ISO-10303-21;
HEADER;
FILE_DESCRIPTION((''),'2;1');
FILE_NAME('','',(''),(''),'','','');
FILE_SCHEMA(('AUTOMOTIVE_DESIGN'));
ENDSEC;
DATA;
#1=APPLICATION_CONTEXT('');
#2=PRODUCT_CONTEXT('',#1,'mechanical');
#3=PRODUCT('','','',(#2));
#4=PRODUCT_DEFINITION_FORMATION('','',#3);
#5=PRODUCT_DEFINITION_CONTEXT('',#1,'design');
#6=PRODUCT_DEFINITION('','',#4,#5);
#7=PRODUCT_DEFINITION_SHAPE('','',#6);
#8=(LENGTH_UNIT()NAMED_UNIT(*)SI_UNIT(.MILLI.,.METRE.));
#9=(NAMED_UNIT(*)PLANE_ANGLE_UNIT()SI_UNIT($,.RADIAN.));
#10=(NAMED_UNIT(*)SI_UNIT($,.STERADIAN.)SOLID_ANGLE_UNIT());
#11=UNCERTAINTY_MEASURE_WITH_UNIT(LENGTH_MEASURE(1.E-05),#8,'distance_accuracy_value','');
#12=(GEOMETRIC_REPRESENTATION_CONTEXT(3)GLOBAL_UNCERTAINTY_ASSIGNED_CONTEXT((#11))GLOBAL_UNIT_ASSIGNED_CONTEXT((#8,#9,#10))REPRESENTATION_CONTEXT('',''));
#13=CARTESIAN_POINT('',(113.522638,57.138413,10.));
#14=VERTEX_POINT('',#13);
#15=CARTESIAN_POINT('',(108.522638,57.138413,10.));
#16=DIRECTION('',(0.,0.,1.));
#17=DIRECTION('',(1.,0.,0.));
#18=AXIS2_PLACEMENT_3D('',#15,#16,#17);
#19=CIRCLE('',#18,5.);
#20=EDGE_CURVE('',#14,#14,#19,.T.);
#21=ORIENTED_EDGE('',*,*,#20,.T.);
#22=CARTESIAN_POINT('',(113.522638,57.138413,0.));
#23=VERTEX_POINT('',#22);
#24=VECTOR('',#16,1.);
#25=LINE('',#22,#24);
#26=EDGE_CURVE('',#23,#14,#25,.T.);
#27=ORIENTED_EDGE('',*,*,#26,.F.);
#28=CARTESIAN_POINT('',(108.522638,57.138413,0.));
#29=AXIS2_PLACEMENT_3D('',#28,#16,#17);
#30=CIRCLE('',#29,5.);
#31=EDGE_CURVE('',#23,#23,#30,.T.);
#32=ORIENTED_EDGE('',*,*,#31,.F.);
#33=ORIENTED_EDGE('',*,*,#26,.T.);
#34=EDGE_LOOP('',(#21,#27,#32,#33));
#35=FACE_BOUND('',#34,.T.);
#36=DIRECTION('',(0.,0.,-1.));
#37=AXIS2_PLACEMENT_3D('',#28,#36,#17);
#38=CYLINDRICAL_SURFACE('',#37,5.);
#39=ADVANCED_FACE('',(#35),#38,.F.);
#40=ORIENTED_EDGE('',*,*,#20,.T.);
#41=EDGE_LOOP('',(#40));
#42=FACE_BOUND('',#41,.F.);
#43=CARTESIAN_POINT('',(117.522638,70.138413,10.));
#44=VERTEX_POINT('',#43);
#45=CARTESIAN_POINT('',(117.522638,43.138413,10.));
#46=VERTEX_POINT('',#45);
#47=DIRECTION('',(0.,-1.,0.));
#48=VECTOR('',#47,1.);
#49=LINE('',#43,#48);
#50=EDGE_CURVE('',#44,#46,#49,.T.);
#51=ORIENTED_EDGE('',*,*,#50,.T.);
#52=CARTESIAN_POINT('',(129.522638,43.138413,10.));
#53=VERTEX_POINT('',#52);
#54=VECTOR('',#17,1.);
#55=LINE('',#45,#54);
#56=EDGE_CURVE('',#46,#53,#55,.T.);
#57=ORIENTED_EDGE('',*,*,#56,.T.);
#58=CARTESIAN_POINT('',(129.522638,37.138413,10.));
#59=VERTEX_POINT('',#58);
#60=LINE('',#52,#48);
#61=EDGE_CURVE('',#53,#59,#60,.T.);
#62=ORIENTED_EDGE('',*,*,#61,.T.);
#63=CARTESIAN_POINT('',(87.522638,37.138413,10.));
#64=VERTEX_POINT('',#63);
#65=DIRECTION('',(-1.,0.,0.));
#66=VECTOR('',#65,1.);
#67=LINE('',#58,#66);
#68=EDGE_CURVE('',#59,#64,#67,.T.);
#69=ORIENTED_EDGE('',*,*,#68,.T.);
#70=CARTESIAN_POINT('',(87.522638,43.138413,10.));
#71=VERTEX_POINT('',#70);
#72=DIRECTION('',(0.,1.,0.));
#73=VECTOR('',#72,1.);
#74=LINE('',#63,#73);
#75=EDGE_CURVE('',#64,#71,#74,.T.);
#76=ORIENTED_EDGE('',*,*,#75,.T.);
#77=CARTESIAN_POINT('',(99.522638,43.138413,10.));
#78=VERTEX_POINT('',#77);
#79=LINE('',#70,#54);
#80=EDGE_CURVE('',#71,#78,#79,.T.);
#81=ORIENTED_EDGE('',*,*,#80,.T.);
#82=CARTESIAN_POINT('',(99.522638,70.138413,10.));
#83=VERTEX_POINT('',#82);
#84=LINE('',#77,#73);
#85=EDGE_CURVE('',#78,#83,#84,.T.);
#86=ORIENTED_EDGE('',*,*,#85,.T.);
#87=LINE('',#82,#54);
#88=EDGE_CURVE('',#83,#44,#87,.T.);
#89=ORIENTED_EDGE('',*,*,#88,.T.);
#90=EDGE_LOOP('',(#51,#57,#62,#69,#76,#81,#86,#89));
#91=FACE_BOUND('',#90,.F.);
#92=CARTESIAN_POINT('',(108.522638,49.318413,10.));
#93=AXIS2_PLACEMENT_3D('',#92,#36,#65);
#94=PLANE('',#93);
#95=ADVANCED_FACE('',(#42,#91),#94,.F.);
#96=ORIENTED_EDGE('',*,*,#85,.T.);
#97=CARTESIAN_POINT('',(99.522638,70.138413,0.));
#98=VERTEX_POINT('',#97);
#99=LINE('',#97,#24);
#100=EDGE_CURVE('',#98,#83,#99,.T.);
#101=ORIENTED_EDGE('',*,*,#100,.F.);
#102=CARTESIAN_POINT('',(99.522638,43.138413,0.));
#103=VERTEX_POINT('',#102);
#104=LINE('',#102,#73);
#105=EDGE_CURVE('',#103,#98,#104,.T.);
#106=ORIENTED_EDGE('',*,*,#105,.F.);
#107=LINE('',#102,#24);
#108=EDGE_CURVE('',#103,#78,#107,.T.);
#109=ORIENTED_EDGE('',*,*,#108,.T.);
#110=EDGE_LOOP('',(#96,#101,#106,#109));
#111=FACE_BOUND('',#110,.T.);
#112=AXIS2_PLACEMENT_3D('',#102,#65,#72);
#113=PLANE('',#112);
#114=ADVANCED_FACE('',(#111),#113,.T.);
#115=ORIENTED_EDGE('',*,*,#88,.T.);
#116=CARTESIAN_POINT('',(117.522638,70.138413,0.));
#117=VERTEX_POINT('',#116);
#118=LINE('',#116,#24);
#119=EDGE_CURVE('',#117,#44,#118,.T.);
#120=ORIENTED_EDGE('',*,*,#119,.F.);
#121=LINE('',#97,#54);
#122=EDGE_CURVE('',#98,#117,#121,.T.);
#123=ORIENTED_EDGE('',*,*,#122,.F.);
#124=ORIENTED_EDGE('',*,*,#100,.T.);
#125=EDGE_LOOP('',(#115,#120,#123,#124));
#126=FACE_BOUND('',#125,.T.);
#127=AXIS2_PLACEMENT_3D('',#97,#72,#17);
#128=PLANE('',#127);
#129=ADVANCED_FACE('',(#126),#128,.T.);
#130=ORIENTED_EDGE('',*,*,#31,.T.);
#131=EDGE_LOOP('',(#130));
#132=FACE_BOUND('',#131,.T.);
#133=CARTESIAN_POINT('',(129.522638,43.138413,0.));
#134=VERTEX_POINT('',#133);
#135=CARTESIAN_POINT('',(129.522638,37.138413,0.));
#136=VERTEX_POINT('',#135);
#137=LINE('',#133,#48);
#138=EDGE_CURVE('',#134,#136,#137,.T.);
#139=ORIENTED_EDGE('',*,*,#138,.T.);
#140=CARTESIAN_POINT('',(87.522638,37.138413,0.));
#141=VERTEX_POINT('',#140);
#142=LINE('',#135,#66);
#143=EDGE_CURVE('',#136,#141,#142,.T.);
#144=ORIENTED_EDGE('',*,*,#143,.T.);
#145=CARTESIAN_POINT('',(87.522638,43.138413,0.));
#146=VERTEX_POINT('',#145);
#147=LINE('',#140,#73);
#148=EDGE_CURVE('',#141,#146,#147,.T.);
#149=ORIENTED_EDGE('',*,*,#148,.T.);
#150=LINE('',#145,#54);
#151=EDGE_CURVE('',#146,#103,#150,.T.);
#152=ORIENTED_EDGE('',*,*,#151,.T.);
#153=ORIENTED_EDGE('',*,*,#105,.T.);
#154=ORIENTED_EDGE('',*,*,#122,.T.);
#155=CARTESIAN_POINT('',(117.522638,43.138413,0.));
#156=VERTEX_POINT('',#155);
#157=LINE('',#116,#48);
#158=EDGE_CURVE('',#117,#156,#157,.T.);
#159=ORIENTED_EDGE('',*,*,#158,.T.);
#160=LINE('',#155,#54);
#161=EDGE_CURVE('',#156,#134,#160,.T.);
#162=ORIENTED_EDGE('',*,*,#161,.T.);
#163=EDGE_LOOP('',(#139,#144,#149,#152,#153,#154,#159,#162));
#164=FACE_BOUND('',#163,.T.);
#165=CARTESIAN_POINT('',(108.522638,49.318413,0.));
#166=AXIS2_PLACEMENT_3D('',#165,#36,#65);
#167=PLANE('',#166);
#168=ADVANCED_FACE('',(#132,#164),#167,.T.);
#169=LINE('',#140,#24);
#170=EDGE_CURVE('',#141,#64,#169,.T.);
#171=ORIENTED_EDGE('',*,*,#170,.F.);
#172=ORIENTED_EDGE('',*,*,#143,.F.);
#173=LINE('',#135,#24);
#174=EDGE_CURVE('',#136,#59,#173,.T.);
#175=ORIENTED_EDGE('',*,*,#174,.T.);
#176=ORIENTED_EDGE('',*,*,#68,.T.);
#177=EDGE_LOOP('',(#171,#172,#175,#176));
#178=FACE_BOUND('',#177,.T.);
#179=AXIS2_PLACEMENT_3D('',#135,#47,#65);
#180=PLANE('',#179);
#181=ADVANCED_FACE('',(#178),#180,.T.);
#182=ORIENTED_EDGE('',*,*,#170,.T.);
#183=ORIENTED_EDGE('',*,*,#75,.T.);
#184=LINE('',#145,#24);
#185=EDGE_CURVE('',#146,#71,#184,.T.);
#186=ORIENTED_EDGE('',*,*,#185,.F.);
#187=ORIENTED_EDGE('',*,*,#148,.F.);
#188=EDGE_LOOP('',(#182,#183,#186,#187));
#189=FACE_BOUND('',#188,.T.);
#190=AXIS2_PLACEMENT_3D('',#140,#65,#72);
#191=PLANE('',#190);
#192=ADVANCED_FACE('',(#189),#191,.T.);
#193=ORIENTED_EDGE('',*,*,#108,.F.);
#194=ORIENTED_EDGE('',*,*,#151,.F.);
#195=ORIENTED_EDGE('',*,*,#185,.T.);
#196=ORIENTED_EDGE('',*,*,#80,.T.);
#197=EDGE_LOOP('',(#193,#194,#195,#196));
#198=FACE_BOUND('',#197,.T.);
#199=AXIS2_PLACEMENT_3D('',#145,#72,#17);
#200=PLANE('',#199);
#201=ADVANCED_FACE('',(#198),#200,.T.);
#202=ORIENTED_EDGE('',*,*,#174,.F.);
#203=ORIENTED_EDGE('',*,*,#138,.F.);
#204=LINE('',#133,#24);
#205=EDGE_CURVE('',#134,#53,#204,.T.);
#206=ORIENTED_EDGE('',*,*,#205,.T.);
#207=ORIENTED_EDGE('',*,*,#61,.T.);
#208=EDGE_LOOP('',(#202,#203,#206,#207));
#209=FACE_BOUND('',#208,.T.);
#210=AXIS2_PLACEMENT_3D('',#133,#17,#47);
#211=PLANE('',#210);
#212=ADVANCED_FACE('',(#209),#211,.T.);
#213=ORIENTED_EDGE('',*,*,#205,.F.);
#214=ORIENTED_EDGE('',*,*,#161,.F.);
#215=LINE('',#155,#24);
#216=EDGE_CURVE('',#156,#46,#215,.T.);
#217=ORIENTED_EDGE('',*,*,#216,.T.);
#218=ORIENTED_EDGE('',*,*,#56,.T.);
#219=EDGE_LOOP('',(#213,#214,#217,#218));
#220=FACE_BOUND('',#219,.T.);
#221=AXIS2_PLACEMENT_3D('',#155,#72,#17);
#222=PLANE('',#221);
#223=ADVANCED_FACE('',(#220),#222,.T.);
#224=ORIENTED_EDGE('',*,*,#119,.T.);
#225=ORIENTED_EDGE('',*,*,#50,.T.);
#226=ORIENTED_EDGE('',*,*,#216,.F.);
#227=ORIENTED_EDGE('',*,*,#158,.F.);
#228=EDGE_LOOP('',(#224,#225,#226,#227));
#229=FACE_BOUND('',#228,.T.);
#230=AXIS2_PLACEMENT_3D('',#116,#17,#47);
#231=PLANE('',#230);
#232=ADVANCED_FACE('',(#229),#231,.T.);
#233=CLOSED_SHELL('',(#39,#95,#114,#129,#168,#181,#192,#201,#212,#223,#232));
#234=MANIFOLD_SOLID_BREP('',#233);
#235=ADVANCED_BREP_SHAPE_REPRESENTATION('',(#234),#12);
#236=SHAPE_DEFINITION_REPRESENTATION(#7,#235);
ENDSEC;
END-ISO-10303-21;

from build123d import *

# Parameters (mm, degrees)
SKETCH_R      = 5
EXTRUDE_DEPTH = 10


with BuildPart() as part:
    # Sketch → Extrude (new body)
    with BuildSketch(Plane.XY):
        Polygon((28.522638, 37.138413), (28.522638, 43.138413), (40.522638, 43.138413), (40.522638, 70.138413), (58.522638, 70.138413), (58.522638, 43.138413), (70.522638, 43.138413), (70.522638, 37.138413), align=None)
        with Locations((49.522638, 57.138413)):
            Circle(SKETCH_R, mode=Mode.SUBTRACT)
    extrude(amount=EXTRUDE_DEPTH)


with BuildPart() as part_1:
    # Extrude placement: moved
    add(part.part.moved(Location((59, 0, 0))))


solid = part_1.part
